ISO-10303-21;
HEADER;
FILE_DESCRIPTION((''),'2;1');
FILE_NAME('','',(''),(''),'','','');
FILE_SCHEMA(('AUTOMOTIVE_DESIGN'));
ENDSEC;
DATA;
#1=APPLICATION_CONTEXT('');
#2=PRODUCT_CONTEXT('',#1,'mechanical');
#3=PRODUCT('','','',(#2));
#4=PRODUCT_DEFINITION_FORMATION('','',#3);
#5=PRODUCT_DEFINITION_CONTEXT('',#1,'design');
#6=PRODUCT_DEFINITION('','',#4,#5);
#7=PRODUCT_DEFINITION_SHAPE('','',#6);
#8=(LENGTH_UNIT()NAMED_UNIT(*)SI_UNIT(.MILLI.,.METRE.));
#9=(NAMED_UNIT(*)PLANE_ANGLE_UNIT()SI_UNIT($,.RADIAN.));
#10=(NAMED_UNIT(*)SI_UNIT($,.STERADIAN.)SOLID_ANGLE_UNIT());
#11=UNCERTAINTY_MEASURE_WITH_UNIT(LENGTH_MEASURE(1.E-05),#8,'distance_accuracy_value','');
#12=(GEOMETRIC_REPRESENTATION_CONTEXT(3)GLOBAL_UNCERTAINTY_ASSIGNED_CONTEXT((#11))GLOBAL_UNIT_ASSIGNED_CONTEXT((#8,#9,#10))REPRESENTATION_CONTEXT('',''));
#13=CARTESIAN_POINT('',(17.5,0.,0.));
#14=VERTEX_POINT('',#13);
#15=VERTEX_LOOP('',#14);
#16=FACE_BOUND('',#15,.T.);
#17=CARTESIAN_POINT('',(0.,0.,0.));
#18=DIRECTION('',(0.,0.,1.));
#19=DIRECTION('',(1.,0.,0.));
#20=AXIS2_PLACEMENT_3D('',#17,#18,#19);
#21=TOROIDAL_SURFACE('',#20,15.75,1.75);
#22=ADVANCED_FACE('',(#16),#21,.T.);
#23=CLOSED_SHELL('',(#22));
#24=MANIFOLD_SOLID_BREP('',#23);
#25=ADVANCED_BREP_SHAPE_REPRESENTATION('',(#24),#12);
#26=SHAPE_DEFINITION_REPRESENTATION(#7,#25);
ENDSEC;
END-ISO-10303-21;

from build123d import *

# Parameters (mm, degrees)
SKETCH1_R = 1.75


with BuildPart() as part:
    # Sketch1 → Revolve1 (revolve)
    with BuildSketch(Plane(origin=(0, 0, 0), x_dir=(0, -1, 0), z_dir=(1, 0, 0)), mode=Mode.PRIVATE) as revolve1_sk:
        with Locations((15.75, 0)):
            Circle(SKETCH1_R)
    revolve(revolve1_sk.sketch.rotate(Axis((0, 0, 1.75), (0, 0, -1)), 270), axis=Axis((0, 0, 1.75), (0, 0, -1)))


solid = part.part
